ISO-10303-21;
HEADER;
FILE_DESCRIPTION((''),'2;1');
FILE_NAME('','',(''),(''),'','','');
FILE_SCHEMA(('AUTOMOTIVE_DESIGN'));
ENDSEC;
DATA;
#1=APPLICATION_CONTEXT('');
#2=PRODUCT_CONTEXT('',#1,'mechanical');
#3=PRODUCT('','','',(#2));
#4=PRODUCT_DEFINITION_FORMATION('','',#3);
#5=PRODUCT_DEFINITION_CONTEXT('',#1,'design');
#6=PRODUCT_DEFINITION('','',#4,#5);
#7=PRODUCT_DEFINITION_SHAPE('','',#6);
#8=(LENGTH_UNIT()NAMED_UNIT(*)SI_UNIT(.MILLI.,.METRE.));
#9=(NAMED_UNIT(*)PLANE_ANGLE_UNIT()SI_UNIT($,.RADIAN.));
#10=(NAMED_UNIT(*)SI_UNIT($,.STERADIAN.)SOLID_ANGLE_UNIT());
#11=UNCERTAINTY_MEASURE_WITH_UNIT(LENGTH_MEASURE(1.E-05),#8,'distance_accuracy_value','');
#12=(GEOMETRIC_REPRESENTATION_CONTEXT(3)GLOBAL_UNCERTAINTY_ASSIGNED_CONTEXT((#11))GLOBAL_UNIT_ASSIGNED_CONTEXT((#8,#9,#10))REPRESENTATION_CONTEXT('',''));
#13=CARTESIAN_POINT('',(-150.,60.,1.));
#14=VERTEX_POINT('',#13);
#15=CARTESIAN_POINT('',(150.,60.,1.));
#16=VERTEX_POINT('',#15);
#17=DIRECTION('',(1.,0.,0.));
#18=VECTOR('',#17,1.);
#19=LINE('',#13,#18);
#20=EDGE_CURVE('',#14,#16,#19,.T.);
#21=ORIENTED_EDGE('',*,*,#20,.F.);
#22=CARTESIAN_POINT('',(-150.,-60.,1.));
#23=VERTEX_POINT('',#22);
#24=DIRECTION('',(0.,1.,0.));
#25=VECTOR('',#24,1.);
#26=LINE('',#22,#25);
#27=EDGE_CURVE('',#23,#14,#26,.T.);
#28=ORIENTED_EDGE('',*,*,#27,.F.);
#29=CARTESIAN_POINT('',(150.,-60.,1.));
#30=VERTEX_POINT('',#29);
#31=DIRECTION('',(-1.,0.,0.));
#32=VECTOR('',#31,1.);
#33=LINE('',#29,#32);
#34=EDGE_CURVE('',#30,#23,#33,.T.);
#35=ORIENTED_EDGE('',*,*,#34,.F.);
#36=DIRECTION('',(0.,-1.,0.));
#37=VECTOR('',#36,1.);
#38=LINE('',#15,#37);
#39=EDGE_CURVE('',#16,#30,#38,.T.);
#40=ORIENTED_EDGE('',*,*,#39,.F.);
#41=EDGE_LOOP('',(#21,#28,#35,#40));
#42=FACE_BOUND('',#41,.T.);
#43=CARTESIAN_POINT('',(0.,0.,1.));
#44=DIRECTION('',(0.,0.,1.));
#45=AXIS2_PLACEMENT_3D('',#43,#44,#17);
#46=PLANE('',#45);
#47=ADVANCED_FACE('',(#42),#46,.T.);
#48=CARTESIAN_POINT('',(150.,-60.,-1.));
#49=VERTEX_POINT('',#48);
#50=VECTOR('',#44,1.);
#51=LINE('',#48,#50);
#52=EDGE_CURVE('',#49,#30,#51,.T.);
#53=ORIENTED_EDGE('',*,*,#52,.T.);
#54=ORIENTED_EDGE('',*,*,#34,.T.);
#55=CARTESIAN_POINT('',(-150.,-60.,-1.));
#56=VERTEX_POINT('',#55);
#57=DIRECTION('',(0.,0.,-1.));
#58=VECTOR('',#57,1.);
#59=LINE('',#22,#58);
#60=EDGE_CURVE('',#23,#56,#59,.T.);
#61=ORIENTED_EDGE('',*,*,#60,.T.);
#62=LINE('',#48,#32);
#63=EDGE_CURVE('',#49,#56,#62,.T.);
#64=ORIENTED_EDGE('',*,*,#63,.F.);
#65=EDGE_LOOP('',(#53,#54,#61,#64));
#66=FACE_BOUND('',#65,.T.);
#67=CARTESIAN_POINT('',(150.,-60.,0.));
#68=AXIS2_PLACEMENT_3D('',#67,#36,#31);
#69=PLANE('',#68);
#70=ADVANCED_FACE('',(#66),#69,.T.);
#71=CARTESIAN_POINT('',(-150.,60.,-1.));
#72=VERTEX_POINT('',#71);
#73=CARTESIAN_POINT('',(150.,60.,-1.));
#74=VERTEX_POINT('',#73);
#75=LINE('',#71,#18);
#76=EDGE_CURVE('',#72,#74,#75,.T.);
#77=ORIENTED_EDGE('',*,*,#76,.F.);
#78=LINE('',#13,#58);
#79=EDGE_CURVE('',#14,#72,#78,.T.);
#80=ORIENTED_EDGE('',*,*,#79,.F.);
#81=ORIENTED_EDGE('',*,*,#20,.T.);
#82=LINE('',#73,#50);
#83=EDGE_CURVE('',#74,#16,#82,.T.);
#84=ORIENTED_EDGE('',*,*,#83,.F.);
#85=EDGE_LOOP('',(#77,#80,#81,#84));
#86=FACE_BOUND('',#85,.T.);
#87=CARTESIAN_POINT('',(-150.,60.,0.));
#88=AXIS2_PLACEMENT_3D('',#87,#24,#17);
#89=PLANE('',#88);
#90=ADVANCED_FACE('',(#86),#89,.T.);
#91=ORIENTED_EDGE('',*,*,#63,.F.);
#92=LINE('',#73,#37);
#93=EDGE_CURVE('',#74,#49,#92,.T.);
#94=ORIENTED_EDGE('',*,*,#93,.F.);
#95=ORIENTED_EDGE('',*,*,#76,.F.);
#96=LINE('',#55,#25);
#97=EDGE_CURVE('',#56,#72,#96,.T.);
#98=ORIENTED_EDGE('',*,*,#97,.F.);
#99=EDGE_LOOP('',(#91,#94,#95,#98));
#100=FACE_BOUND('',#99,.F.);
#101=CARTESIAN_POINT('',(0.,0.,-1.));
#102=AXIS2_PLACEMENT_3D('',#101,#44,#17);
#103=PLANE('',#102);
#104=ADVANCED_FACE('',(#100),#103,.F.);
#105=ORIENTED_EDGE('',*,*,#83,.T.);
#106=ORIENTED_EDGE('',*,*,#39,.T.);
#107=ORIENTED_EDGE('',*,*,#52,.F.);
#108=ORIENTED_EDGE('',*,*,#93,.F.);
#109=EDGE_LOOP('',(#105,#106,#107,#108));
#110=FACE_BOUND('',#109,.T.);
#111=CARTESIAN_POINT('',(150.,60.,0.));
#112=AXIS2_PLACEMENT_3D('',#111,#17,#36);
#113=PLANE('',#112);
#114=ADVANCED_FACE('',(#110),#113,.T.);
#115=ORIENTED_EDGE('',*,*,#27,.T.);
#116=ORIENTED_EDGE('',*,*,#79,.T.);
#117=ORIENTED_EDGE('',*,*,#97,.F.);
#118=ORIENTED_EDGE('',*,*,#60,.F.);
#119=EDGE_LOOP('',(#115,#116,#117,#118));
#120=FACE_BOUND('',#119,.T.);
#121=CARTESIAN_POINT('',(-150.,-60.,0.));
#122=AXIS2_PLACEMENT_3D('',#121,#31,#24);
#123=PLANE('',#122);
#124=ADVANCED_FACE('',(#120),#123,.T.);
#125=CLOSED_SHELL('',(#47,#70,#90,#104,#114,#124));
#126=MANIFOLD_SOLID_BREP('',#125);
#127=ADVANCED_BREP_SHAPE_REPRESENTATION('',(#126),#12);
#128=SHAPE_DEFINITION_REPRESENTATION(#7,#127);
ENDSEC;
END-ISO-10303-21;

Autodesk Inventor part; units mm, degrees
ref_plane "YZ Plane" through (0, 0, 0) normal (1, 0, 0) x (0, 1, 0)
ref_plane "XZ Plane" through (0, 0, 0) normal (0, 1, 0) x (-1, 0, 0)
ref_plane "XY Plane" through (0, 0, 0) normal (0, 0, 1) x (1, 0, 0)
sketch "Szkic1" plane through (0, 0, 0) normal (0, 0, 1) x (1, 0, 0)
  line L0 (150, -60) -> (-150, -60)
  line L1 (-150, -60) -> (-150, 60)
  line L2 (-150, 60) -> (150, 60)
  line L3 (150, 60) -> (150, -60)
  line L4 (150, -60) -> (-150, 60) construction
  line L5 (-150, -60) -> (150, 60) construction
  point P0 (0, 0)
  dimension "d0" = 300
  dimension "d1" = 120
extrude "Wyciągnięcie proste1" add sketch "Szkic1" along normal mid plane 2
properties part number "RoofCover"
